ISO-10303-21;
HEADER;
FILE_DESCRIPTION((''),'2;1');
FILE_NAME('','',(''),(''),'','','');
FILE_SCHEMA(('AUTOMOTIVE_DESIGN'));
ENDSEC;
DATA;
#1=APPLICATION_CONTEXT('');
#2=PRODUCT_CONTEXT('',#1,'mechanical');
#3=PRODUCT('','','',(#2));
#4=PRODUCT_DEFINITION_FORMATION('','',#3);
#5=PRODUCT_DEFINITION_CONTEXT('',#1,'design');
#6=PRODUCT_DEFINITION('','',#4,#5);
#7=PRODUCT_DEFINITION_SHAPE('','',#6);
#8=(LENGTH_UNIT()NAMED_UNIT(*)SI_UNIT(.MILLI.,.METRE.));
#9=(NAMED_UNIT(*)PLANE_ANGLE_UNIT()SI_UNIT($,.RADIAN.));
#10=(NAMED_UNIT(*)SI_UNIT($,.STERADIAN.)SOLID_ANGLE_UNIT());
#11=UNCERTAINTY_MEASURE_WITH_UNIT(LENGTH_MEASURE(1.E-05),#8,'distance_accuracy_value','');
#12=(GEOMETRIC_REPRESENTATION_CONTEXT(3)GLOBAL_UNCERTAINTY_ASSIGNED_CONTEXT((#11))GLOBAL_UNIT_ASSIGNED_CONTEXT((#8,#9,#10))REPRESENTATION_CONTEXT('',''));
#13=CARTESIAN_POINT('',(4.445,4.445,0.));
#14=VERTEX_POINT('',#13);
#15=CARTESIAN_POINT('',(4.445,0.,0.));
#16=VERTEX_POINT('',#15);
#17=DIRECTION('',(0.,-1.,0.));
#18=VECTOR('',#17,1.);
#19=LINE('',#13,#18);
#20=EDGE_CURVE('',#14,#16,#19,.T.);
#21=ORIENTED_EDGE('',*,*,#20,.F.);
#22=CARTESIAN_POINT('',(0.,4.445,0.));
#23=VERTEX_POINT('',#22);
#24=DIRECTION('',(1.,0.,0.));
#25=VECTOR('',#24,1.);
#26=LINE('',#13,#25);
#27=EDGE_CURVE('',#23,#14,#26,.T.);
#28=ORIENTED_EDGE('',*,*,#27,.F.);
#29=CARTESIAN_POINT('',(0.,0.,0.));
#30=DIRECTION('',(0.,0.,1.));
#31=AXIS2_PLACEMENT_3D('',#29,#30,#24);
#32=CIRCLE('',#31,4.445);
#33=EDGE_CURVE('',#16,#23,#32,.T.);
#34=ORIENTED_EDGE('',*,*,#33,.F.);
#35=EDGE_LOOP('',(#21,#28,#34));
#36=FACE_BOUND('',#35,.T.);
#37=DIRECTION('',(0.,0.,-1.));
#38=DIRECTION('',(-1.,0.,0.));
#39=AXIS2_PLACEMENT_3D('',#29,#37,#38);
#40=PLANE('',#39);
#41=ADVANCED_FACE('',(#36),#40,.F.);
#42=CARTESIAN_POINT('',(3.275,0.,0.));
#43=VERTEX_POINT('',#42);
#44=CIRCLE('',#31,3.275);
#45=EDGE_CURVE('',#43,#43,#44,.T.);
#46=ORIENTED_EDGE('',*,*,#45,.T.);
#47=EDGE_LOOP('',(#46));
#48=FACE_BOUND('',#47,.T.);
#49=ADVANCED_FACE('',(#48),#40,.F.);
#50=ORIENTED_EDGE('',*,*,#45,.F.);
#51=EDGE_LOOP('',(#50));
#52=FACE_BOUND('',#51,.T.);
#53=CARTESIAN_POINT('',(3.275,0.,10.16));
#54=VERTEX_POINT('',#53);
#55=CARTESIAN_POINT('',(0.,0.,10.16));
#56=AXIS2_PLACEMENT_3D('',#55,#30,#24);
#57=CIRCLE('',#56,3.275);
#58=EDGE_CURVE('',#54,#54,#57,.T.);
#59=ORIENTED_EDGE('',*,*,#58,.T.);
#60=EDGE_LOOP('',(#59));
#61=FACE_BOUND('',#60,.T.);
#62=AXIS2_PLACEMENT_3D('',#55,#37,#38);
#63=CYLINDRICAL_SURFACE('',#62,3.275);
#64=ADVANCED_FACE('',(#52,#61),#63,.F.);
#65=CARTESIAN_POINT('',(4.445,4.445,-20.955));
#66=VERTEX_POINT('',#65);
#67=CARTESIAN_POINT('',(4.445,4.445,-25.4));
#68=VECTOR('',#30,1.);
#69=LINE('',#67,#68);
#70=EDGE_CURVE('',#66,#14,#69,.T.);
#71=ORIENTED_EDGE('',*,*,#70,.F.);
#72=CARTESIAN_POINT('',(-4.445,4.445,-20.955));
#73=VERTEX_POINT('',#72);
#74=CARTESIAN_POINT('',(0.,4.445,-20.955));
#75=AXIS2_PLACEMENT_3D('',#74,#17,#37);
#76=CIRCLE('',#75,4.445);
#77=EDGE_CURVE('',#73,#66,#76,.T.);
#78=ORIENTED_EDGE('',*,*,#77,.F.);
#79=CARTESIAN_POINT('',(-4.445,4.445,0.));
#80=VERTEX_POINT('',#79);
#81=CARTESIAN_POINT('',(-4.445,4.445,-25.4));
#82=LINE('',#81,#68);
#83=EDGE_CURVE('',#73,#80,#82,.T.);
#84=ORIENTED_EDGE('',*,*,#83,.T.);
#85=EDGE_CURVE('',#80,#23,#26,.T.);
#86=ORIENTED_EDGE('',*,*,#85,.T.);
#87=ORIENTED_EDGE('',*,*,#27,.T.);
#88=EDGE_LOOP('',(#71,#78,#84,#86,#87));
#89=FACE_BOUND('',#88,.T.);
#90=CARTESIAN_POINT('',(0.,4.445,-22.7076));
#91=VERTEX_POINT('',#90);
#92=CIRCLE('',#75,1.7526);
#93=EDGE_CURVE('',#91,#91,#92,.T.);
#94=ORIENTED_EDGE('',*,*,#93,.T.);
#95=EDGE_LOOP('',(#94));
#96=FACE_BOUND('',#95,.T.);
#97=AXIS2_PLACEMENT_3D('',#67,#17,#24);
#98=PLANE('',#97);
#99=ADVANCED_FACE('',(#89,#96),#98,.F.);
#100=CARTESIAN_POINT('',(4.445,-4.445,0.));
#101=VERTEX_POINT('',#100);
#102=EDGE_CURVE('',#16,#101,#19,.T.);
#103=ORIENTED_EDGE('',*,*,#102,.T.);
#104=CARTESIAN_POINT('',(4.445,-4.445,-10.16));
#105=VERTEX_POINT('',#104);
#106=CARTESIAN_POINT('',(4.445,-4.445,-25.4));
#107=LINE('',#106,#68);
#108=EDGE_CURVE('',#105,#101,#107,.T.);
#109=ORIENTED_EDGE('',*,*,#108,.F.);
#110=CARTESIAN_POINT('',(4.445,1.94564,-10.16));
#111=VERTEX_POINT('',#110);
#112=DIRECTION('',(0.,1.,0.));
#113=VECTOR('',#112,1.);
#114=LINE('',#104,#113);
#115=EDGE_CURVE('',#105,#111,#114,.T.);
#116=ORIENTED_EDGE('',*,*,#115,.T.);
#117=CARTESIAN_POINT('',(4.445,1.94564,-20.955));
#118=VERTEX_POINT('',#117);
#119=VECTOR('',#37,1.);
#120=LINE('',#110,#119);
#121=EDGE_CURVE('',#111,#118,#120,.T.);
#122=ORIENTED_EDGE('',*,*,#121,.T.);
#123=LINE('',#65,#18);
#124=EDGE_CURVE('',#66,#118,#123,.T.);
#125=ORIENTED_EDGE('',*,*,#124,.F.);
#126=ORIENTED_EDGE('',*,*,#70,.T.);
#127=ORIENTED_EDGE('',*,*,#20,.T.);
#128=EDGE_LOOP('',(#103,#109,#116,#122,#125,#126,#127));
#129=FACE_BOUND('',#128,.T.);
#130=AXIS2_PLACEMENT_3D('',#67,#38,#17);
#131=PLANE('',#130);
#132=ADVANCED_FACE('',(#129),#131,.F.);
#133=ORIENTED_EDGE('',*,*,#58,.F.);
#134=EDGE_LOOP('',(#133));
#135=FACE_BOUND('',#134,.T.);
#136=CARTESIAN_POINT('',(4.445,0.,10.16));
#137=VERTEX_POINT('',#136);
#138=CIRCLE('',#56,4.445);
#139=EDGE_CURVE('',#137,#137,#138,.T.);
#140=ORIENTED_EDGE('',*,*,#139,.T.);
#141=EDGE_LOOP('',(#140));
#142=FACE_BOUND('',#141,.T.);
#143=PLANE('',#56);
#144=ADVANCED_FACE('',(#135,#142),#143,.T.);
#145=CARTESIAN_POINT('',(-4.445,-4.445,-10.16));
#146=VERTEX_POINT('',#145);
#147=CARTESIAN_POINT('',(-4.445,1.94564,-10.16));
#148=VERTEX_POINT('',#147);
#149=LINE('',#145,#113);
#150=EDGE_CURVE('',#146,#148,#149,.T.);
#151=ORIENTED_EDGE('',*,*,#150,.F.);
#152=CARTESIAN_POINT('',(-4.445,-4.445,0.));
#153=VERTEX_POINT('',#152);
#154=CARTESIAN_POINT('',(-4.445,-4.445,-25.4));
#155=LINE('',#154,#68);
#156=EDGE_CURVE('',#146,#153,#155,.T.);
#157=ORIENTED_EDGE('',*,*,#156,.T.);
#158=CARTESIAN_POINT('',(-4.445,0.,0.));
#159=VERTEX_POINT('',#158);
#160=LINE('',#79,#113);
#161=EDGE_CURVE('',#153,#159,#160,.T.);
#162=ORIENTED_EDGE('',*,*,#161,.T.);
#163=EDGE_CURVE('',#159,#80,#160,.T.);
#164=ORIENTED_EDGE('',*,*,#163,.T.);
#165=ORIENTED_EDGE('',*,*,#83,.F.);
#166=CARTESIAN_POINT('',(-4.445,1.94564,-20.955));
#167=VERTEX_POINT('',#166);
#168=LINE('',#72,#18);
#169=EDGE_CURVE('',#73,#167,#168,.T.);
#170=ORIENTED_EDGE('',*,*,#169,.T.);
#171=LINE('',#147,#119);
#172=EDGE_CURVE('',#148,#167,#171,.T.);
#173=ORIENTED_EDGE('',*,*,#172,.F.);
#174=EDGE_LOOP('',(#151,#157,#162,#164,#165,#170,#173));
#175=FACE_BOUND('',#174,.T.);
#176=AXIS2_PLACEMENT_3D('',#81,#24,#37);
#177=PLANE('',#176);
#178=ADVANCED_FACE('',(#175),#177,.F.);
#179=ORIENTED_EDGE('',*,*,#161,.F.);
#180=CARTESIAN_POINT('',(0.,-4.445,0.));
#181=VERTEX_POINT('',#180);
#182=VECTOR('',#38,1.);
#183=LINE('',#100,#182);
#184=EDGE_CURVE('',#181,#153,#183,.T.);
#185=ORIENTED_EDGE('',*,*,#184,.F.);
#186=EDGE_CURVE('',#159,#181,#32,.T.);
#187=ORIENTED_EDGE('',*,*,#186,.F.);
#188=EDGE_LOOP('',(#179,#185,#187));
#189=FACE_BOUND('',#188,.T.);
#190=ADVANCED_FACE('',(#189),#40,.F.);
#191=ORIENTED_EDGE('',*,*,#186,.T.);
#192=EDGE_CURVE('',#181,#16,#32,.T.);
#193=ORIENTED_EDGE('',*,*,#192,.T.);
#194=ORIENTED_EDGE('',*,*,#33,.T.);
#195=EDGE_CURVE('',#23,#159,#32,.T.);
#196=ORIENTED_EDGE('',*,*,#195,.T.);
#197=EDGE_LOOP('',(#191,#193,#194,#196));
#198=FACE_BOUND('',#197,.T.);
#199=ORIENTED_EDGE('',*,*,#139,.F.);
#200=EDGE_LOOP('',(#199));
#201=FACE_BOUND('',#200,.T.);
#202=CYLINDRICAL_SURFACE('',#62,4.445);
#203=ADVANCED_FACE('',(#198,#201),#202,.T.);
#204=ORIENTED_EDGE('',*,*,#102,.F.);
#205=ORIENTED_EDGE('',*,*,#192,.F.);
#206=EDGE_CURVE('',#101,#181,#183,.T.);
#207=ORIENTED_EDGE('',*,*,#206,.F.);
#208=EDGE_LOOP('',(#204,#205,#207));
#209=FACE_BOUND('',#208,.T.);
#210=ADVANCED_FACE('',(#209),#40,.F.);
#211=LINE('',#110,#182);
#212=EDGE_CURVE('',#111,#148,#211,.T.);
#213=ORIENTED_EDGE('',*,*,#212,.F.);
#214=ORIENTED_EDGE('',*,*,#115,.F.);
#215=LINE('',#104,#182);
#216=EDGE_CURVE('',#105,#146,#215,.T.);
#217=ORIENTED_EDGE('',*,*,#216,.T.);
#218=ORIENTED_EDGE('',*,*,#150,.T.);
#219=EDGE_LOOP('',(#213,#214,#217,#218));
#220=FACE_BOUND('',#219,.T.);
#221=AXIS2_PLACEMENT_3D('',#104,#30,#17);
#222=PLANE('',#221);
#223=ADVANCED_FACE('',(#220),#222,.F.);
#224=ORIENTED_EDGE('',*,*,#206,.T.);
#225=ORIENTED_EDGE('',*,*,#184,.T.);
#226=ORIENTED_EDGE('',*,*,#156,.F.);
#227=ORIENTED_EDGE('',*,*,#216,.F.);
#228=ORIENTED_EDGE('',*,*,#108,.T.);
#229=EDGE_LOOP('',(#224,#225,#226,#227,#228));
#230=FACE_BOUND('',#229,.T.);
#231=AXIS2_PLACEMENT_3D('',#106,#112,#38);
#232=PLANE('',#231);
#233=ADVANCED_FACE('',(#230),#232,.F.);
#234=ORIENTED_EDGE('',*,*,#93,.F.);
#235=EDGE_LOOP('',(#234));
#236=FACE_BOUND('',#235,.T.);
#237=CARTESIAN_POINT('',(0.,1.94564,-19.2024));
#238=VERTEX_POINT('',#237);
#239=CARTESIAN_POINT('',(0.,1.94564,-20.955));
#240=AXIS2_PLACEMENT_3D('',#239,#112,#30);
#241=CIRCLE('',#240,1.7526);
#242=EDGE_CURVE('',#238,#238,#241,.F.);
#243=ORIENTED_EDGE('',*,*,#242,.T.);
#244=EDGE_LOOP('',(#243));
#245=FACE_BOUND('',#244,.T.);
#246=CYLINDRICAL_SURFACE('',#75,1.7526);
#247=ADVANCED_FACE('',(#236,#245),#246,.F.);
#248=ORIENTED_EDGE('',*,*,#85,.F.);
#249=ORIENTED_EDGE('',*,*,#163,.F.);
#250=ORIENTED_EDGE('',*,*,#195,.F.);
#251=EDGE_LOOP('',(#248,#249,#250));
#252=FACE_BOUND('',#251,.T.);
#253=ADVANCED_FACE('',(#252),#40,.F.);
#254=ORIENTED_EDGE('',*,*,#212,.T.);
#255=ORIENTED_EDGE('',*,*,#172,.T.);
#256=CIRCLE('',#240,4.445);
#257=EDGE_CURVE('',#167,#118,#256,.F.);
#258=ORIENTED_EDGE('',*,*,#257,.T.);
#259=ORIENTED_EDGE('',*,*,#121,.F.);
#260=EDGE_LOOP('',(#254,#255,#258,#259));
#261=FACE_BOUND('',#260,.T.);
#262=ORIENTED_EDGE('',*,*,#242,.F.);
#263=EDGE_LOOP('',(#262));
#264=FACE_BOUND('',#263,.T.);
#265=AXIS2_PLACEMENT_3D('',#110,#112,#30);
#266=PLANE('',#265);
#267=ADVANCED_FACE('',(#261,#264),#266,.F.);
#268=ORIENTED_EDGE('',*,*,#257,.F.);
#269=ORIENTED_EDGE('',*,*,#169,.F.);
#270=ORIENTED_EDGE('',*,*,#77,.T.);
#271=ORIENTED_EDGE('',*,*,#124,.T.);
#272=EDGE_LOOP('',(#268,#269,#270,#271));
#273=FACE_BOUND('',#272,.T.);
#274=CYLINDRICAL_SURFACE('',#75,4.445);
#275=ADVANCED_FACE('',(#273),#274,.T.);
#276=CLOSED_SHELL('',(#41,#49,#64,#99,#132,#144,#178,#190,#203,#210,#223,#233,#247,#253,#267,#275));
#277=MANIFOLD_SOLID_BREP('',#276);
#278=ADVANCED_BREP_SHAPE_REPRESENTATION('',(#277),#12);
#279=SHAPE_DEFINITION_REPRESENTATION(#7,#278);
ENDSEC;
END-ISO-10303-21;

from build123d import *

# Parameters (mm, degrees)
SKETCH1_R           = 4.445
SKETCH1_R_2         = 3.275000003
BOSS_EXTRUDE1_DEPTH = 10.16
SKETCH2_W           = 8.89
SKETCH2_H           = 8.89
BOSS_EXTRUDE2_DEPTH = 25.4
CUT_EXTRUDE1_DEPTH  = 28.275449126
SKETCH4_W           = 15.24
SKETCH4_H           = 6.39064
CUT_EXTRUDE2_DEPTH  = 28.275449126


with BuildPart() as part:
    # Sketch1 → Boss-Extrude1 (new body)
    with BuildSketch(Plane.XY):
        Circle(SKETCH1_R)
        Circle(SKETCH1_R_2, mode=Mode.SUBTRACT)
    extrude(amount=BOSS_EXTRUDE1_DEPTH)

    # Sketch2 → Boss-Extrude2 (add)
    with BuildSketch(Plane(origin=(0, 0, 0), x_dir=(-1, 0, 0), z_dir=(0, 0, -1))):
        Rectangle(SKETCH2_W, SKETCH2_H)
    extrude(amount=BOSS_EXTRUDE2_DEPTH)

    # Sketch3 → Cut-Extrude1 (cut, through all)
    with BuildSketch(Plane.XZ.offset(4.445)):
        with BuildLine():
            Line((4.445, -25.4), (4.445, -20.955))
            ThreePointArc((4.445, -20.955), (3.143089642, -24.098089642), (0, -25.4))
            Line((0, -25.4), (4.445, -25.4))
        make_face()
        with BuildLine():
            ThreePointArc((0, -25.4), (-3.143089642, -24.098089642), (-4.445, -20.955))
            Line((-4.445, -20.955), (-4.445, -25.4))
            Line((-4.445, -25.4), (0, -25.4))
        make_face()
        with BuildLine():
            ThreePointArc((1.7526, -20.955), (0, -19.2024), (-1.7526, -20.955))
            Line((-1.7526, -20.955), (1.7526, -20.955))
        make_face()
        with BuildLine():
            Line((1.7526, -20.955), (-1.7526, -20.955))
            ThreePointArc((-1.7526, -20.955), (0, -22.7076), (1.7526, -20.955))
        make_face()
    extrude(amount=-CUT_EXTRUDE1_DEPTH, mode=Mode.SUBTRACT)

    # Sketch4 → Cut-Extrude2 (cut, through all)
    with BuildSketch(Plane.ZY.offset(4.445)):
        with Locations((-17.78, -1.24968)):
            Rectangle(SKETCH4_W, SKETCH4_H)
    extrude(amount=-CUT_EXTRUDE2_DEPTH, mode=Mode.SUBTRACT)


solid = part.part
